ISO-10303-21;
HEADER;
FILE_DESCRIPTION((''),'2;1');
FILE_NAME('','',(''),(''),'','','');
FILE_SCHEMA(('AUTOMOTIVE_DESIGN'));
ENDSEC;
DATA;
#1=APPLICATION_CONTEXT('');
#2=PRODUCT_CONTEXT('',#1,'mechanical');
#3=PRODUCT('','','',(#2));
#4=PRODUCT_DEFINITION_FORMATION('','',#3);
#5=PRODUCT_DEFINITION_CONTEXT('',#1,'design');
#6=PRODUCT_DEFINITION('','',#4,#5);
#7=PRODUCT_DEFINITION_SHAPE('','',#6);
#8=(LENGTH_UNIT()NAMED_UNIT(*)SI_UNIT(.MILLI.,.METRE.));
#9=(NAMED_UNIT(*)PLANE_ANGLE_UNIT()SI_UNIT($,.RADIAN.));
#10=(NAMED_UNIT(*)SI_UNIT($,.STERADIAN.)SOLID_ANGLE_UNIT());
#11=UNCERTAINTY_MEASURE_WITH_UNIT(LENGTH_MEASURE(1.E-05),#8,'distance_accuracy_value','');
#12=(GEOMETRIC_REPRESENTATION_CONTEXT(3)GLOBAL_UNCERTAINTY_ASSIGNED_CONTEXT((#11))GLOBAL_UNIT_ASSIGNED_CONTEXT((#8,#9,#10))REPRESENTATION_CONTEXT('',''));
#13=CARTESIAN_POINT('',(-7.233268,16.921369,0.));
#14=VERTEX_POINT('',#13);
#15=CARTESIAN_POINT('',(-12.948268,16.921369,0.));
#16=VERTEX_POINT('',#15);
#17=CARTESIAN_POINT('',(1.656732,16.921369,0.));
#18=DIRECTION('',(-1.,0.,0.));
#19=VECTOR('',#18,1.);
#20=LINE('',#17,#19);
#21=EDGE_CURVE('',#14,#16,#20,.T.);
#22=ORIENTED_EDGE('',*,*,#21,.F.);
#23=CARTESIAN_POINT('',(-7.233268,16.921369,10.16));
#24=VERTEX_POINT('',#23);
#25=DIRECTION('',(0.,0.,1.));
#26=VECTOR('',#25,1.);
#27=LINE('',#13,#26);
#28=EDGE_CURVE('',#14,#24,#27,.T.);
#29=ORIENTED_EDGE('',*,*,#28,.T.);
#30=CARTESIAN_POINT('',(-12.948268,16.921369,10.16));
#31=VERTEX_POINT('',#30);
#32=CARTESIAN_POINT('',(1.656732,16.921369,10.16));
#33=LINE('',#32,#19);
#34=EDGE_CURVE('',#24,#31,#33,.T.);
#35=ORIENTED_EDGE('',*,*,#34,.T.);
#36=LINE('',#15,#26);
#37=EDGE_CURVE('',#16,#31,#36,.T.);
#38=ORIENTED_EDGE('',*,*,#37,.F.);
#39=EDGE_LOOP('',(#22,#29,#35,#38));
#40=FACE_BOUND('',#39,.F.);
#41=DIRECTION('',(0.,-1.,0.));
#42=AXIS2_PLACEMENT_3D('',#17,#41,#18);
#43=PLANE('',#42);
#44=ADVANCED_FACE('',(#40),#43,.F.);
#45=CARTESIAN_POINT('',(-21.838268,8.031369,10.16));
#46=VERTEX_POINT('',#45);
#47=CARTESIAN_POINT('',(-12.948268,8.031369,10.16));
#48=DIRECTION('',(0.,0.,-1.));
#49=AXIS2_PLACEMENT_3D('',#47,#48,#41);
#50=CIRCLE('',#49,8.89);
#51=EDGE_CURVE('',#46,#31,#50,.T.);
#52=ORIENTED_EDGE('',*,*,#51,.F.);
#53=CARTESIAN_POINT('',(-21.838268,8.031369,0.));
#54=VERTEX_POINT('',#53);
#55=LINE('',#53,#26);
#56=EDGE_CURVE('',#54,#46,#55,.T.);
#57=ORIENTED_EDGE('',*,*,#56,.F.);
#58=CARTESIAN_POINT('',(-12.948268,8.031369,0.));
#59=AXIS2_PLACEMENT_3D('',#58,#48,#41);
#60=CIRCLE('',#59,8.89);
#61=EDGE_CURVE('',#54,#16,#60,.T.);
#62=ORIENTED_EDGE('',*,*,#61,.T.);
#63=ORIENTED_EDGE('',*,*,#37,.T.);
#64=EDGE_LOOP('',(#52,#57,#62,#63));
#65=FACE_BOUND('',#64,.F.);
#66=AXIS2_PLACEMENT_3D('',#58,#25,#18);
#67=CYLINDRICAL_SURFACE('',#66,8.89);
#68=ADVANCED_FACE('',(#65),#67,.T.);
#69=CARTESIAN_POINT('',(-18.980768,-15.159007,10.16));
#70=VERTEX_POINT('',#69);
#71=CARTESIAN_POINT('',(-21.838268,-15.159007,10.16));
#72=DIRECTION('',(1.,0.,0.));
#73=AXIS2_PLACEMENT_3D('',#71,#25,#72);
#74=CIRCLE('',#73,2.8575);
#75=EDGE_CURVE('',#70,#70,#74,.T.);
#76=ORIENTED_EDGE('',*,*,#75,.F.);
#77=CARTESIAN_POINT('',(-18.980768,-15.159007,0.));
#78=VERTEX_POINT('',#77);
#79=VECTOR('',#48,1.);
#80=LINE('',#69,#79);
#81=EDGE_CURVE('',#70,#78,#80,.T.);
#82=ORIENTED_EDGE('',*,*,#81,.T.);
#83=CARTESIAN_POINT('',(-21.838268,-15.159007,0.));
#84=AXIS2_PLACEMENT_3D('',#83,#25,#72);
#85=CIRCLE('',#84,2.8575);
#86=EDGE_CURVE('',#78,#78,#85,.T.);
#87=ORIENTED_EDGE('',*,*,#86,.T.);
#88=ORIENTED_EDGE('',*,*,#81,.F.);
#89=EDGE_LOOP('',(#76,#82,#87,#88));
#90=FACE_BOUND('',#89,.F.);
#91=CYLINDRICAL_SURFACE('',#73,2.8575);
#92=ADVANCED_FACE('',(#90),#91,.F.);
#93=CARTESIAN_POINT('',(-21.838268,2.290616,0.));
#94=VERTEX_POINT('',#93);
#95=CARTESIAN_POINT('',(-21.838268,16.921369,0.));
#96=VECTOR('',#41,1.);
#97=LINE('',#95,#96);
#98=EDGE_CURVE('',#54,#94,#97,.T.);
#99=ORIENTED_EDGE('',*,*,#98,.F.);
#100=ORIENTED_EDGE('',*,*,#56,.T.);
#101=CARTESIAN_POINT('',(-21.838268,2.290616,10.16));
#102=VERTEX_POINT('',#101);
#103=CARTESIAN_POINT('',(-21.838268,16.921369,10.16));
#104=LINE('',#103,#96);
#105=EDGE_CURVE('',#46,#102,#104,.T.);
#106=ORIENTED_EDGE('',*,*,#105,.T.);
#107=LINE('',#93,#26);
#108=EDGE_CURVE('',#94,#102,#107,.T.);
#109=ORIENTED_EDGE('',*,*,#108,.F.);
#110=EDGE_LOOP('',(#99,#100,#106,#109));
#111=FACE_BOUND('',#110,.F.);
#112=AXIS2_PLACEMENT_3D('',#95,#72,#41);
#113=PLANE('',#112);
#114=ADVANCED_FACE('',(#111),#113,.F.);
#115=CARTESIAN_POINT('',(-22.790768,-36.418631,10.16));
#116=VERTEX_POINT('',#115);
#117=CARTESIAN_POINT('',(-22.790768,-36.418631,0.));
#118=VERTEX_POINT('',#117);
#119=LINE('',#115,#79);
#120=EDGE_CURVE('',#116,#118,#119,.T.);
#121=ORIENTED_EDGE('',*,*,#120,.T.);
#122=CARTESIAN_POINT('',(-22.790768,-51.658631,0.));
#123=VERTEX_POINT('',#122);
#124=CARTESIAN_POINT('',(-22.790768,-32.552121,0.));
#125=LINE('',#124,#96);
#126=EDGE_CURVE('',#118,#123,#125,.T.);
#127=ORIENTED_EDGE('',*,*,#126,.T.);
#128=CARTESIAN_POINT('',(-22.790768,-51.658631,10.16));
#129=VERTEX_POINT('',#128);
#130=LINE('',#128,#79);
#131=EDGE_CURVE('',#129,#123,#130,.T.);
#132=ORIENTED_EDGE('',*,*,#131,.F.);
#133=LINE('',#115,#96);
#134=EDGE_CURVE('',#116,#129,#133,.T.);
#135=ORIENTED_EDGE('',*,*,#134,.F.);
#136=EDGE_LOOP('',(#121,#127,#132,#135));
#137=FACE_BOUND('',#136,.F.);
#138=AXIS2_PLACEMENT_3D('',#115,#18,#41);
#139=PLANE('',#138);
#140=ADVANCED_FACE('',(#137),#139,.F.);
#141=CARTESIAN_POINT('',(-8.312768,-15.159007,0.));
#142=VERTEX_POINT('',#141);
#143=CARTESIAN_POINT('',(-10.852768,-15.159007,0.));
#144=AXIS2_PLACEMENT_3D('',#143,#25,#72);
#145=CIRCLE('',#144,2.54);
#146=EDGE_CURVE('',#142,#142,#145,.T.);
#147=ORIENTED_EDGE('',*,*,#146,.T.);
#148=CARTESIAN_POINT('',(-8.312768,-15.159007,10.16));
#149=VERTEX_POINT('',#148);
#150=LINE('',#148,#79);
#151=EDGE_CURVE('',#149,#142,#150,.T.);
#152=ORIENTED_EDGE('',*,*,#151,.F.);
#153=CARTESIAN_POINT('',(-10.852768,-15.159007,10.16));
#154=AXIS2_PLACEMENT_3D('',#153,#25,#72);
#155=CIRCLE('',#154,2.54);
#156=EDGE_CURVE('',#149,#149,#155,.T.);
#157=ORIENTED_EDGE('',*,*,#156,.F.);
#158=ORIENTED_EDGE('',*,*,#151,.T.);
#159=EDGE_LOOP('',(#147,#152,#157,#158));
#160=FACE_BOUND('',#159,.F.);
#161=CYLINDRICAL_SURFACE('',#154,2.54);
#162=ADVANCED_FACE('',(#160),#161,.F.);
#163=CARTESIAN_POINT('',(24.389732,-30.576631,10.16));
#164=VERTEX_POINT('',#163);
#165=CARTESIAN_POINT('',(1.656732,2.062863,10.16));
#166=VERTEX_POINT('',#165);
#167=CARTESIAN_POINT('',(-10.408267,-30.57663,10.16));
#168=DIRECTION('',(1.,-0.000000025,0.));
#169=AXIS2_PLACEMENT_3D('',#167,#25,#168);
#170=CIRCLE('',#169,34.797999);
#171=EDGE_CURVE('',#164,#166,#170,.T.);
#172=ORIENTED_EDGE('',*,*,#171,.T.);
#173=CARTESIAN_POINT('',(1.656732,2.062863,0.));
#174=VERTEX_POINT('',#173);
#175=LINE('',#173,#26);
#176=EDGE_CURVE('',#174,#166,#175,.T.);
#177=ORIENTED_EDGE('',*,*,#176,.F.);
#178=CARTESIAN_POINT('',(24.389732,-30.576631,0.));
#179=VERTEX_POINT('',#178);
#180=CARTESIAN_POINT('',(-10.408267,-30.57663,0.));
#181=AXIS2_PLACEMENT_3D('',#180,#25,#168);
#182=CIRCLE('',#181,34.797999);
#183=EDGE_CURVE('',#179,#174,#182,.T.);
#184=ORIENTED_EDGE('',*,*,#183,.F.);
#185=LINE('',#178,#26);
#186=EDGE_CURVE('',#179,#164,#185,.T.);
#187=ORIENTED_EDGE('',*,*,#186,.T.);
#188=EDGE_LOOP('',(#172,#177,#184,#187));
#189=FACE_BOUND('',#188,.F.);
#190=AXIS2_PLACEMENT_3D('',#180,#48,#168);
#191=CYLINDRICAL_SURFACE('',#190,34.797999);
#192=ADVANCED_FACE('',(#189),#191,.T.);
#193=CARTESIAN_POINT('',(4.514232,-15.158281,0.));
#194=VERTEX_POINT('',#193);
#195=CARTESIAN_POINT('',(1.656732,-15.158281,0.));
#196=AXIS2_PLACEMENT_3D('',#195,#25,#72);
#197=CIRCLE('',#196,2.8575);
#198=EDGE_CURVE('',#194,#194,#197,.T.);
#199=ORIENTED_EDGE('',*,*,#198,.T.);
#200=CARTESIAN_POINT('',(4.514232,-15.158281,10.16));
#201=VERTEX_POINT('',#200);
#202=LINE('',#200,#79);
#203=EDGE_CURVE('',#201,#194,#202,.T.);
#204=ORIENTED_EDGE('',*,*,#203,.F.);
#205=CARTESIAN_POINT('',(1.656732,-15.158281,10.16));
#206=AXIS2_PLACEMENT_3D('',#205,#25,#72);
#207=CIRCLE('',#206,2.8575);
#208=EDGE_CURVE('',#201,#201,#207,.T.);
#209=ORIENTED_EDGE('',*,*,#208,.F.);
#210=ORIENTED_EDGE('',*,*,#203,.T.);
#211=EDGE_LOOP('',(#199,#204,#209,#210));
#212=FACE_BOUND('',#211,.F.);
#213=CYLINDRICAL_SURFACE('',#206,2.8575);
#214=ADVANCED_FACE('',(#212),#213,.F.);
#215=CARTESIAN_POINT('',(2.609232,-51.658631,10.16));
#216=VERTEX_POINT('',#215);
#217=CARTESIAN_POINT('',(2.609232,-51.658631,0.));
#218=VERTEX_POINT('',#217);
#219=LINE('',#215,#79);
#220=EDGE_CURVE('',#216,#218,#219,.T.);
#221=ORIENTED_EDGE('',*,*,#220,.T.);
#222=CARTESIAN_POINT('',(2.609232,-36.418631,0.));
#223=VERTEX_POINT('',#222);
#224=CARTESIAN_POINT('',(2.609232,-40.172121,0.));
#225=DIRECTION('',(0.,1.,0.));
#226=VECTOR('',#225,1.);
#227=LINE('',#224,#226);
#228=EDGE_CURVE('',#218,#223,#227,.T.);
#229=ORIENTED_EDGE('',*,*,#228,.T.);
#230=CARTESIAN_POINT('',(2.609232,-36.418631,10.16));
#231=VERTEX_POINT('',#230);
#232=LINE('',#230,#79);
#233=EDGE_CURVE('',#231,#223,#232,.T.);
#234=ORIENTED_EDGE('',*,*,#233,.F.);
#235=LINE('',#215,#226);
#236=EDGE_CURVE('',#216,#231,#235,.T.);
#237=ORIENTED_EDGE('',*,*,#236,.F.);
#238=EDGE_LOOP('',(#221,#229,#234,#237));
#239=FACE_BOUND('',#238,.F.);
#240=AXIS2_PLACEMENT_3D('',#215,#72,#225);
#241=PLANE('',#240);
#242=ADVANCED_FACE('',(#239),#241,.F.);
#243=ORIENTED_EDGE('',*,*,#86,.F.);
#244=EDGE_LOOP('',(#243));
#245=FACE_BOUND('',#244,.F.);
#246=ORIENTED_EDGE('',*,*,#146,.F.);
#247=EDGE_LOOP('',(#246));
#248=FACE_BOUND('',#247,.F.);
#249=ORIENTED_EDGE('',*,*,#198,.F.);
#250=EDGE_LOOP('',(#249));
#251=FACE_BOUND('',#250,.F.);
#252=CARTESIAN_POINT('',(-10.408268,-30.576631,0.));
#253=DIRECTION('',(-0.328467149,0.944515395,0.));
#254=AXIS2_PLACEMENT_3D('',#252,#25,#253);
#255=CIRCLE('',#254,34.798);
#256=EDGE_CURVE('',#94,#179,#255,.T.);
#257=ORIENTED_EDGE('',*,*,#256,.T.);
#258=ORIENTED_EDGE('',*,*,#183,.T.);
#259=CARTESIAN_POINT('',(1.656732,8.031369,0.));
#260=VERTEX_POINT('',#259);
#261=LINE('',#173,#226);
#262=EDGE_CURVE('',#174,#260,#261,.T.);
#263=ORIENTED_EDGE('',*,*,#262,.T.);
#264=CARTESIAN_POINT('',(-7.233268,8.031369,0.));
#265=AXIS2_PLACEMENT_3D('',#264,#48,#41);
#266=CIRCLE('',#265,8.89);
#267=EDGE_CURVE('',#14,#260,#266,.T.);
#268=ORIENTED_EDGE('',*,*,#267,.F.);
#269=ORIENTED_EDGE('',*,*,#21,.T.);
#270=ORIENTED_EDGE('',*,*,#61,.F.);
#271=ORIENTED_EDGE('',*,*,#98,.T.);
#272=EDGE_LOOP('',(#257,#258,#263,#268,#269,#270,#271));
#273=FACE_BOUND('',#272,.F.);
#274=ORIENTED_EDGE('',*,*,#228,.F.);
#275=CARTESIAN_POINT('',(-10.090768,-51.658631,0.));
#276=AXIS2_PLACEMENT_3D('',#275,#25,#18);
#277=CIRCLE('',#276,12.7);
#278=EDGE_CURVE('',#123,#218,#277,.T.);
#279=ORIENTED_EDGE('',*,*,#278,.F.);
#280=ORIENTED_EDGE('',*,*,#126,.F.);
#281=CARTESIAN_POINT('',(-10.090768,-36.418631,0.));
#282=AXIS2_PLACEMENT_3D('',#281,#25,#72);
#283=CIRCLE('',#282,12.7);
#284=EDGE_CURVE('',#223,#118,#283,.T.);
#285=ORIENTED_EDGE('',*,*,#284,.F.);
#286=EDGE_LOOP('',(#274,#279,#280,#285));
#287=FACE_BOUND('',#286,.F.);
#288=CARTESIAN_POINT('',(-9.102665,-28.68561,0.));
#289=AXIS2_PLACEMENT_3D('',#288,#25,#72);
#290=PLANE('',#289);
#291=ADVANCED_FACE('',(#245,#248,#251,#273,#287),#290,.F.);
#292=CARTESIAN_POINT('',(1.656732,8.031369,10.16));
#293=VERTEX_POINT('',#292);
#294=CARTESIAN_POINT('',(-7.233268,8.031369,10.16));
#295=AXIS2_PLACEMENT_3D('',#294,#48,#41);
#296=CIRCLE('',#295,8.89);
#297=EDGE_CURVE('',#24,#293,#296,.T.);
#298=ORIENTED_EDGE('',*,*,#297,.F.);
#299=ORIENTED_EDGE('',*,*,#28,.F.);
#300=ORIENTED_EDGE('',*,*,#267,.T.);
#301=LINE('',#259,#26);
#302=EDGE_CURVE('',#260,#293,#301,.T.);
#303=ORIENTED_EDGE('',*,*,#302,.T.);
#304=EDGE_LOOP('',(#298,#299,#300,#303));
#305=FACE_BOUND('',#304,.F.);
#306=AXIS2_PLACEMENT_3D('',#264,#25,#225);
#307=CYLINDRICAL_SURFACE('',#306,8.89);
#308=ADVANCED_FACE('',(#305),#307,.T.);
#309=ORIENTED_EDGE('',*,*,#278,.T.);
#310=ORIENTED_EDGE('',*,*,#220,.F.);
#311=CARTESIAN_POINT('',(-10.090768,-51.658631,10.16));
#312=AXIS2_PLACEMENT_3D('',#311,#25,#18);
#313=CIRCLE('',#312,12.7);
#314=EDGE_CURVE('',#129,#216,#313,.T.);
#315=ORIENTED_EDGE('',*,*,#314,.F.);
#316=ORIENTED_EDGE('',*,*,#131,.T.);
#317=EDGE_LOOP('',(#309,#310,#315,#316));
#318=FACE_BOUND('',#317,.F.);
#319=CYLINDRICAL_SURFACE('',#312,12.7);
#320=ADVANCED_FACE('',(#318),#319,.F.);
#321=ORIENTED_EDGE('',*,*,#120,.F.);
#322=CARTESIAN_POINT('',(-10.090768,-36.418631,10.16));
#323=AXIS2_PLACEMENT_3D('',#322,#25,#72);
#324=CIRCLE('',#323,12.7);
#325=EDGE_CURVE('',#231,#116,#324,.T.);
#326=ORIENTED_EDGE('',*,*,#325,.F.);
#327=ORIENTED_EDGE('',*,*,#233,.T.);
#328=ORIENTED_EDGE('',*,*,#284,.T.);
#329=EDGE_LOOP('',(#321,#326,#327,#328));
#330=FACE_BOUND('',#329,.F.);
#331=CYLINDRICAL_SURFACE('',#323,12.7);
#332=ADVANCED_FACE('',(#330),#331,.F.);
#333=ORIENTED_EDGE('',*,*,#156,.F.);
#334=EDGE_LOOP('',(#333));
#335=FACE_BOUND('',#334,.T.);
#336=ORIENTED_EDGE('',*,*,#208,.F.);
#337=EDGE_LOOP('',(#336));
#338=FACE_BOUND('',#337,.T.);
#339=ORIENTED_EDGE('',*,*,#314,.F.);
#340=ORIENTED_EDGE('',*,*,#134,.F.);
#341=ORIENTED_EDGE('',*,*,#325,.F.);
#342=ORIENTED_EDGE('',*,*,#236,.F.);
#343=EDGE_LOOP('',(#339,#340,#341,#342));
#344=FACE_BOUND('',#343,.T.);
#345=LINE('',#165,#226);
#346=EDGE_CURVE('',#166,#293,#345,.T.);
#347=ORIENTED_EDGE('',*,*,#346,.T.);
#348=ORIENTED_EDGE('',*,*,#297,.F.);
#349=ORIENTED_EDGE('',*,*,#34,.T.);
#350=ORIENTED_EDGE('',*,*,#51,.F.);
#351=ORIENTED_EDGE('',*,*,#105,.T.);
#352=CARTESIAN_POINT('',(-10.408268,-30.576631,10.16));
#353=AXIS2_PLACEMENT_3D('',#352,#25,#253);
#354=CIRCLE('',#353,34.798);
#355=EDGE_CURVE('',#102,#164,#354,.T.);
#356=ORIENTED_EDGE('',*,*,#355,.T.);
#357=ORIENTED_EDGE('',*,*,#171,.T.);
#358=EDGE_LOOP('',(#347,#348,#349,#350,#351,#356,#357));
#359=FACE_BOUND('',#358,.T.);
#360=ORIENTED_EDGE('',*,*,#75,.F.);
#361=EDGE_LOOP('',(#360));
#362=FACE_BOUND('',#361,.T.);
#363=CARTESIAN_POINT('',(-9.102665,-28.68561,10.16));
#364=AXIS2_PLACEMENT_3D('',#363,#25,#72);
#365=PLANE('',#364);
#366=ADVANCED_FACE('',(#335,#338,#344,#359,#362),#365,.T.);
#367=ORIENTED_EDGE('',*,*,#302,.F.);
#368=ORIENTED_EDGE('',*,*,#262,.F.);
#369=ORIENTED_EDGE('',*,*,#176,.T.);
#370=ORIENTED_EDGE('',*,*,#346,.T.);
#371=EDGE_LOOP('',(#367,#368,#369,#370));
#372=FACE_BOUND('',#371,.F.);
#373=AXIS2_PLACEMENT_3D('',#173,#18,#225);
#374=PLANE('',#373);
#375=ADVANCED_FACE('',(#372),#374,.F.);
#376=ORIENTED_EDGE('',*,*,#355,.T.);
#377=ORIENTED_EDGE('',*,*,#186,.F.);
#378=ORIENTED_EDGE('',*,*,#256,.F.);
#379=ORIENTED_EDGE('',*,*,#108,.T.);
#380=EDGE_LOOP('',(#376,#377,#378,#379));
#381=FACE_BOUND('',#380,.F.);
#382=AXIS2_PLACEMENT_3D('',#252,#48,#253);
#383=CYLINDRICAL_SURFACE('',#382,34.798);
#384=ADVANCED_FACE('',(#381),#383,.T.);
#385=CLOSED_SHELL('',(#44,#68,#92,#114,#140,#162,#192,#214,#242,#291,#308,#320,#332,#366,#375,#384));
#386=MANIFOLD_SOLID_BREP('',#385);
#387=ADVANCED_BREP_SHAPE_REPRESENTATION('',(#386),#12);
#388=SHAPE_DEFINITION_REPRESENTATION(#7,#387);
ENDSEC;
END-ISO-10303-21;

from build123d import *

# Parameters (mm, degrees)
F1_DEPTH = 10.16
F2_R     = 2.8575
F2_R_2   = 2.54
F3_DEPTH = 25.4
F4_R     = 8.89


with BuildPart() as f1:
    # F0 (on Top) → F1 (new body)
    with BuildSketch(Plane.XY):
        with BuildLine():
            ThreePointArc((-21.838268, 2.290616), (-30.572093, -58.937184), (24.389732, -30.576631))
            ThreePointArc((24.389732, -30.576631), (18.146405, -10.688658), (1.656732, 2.062863))
            ThreePointArc((1.656732, 2.062863), (-10.070964, 4.219734), (-21.838268, 2.290616))
        make_face()
        with BuildLine():
            ThreePointArc((-21.838268, 2.290616), (-10.070964, 4.219734), (1.656732, 2.062863))
            Line((1.656732, 2.062863), (1.656732, 16.921369))
            Line((1.656732, 16.921369), (-21.838268, 16.921369))
            Line((-21.838268, 16.921369), (-21.838268, 2.290616))
        make_face()
    extrude(amount=F1_DEPTH)

    # F2 (on face) → F3 (cut)
    with BuildSketch(Plane.XY.offset(10.16)):
        with Locations((-21.838268, -15.159007)):
            Circle(F2_R)
        with Locations((-10.852768, -15.159007)):
            Circle(F2_R_2)
        with Locations((1.656732, -15.158281)):
            Circle(F2_R)
        with BuildLine():
            Line((2.609232, -51.658631), (2.609232, -36.418631))
            ThreePointArc((2.609232, -36.418631), (-10.090768, -23.718631), (-22.790768, -36.418631))
            Line((-22.790768, -36.418631), (-22.790768, -51.658631))
            ThreePointArc((-22.790768, -51.658631), (-10.090768, -64.358631), (2.609232, -51.658631))
        make_face()
    extrude(amount=-F3_DEPTH, mode=Mode.SUBTRACT)

    # F4
    f4_edges = [f1.edges().sort_by_distance(p)[0] for p in [
        (-21.838268, 16.921369, 5.08),
        (1.656732, 16.921369, 5.08),
    ]]
    fillet(f4_edges, radius=F4_R)


solid = f1.part
